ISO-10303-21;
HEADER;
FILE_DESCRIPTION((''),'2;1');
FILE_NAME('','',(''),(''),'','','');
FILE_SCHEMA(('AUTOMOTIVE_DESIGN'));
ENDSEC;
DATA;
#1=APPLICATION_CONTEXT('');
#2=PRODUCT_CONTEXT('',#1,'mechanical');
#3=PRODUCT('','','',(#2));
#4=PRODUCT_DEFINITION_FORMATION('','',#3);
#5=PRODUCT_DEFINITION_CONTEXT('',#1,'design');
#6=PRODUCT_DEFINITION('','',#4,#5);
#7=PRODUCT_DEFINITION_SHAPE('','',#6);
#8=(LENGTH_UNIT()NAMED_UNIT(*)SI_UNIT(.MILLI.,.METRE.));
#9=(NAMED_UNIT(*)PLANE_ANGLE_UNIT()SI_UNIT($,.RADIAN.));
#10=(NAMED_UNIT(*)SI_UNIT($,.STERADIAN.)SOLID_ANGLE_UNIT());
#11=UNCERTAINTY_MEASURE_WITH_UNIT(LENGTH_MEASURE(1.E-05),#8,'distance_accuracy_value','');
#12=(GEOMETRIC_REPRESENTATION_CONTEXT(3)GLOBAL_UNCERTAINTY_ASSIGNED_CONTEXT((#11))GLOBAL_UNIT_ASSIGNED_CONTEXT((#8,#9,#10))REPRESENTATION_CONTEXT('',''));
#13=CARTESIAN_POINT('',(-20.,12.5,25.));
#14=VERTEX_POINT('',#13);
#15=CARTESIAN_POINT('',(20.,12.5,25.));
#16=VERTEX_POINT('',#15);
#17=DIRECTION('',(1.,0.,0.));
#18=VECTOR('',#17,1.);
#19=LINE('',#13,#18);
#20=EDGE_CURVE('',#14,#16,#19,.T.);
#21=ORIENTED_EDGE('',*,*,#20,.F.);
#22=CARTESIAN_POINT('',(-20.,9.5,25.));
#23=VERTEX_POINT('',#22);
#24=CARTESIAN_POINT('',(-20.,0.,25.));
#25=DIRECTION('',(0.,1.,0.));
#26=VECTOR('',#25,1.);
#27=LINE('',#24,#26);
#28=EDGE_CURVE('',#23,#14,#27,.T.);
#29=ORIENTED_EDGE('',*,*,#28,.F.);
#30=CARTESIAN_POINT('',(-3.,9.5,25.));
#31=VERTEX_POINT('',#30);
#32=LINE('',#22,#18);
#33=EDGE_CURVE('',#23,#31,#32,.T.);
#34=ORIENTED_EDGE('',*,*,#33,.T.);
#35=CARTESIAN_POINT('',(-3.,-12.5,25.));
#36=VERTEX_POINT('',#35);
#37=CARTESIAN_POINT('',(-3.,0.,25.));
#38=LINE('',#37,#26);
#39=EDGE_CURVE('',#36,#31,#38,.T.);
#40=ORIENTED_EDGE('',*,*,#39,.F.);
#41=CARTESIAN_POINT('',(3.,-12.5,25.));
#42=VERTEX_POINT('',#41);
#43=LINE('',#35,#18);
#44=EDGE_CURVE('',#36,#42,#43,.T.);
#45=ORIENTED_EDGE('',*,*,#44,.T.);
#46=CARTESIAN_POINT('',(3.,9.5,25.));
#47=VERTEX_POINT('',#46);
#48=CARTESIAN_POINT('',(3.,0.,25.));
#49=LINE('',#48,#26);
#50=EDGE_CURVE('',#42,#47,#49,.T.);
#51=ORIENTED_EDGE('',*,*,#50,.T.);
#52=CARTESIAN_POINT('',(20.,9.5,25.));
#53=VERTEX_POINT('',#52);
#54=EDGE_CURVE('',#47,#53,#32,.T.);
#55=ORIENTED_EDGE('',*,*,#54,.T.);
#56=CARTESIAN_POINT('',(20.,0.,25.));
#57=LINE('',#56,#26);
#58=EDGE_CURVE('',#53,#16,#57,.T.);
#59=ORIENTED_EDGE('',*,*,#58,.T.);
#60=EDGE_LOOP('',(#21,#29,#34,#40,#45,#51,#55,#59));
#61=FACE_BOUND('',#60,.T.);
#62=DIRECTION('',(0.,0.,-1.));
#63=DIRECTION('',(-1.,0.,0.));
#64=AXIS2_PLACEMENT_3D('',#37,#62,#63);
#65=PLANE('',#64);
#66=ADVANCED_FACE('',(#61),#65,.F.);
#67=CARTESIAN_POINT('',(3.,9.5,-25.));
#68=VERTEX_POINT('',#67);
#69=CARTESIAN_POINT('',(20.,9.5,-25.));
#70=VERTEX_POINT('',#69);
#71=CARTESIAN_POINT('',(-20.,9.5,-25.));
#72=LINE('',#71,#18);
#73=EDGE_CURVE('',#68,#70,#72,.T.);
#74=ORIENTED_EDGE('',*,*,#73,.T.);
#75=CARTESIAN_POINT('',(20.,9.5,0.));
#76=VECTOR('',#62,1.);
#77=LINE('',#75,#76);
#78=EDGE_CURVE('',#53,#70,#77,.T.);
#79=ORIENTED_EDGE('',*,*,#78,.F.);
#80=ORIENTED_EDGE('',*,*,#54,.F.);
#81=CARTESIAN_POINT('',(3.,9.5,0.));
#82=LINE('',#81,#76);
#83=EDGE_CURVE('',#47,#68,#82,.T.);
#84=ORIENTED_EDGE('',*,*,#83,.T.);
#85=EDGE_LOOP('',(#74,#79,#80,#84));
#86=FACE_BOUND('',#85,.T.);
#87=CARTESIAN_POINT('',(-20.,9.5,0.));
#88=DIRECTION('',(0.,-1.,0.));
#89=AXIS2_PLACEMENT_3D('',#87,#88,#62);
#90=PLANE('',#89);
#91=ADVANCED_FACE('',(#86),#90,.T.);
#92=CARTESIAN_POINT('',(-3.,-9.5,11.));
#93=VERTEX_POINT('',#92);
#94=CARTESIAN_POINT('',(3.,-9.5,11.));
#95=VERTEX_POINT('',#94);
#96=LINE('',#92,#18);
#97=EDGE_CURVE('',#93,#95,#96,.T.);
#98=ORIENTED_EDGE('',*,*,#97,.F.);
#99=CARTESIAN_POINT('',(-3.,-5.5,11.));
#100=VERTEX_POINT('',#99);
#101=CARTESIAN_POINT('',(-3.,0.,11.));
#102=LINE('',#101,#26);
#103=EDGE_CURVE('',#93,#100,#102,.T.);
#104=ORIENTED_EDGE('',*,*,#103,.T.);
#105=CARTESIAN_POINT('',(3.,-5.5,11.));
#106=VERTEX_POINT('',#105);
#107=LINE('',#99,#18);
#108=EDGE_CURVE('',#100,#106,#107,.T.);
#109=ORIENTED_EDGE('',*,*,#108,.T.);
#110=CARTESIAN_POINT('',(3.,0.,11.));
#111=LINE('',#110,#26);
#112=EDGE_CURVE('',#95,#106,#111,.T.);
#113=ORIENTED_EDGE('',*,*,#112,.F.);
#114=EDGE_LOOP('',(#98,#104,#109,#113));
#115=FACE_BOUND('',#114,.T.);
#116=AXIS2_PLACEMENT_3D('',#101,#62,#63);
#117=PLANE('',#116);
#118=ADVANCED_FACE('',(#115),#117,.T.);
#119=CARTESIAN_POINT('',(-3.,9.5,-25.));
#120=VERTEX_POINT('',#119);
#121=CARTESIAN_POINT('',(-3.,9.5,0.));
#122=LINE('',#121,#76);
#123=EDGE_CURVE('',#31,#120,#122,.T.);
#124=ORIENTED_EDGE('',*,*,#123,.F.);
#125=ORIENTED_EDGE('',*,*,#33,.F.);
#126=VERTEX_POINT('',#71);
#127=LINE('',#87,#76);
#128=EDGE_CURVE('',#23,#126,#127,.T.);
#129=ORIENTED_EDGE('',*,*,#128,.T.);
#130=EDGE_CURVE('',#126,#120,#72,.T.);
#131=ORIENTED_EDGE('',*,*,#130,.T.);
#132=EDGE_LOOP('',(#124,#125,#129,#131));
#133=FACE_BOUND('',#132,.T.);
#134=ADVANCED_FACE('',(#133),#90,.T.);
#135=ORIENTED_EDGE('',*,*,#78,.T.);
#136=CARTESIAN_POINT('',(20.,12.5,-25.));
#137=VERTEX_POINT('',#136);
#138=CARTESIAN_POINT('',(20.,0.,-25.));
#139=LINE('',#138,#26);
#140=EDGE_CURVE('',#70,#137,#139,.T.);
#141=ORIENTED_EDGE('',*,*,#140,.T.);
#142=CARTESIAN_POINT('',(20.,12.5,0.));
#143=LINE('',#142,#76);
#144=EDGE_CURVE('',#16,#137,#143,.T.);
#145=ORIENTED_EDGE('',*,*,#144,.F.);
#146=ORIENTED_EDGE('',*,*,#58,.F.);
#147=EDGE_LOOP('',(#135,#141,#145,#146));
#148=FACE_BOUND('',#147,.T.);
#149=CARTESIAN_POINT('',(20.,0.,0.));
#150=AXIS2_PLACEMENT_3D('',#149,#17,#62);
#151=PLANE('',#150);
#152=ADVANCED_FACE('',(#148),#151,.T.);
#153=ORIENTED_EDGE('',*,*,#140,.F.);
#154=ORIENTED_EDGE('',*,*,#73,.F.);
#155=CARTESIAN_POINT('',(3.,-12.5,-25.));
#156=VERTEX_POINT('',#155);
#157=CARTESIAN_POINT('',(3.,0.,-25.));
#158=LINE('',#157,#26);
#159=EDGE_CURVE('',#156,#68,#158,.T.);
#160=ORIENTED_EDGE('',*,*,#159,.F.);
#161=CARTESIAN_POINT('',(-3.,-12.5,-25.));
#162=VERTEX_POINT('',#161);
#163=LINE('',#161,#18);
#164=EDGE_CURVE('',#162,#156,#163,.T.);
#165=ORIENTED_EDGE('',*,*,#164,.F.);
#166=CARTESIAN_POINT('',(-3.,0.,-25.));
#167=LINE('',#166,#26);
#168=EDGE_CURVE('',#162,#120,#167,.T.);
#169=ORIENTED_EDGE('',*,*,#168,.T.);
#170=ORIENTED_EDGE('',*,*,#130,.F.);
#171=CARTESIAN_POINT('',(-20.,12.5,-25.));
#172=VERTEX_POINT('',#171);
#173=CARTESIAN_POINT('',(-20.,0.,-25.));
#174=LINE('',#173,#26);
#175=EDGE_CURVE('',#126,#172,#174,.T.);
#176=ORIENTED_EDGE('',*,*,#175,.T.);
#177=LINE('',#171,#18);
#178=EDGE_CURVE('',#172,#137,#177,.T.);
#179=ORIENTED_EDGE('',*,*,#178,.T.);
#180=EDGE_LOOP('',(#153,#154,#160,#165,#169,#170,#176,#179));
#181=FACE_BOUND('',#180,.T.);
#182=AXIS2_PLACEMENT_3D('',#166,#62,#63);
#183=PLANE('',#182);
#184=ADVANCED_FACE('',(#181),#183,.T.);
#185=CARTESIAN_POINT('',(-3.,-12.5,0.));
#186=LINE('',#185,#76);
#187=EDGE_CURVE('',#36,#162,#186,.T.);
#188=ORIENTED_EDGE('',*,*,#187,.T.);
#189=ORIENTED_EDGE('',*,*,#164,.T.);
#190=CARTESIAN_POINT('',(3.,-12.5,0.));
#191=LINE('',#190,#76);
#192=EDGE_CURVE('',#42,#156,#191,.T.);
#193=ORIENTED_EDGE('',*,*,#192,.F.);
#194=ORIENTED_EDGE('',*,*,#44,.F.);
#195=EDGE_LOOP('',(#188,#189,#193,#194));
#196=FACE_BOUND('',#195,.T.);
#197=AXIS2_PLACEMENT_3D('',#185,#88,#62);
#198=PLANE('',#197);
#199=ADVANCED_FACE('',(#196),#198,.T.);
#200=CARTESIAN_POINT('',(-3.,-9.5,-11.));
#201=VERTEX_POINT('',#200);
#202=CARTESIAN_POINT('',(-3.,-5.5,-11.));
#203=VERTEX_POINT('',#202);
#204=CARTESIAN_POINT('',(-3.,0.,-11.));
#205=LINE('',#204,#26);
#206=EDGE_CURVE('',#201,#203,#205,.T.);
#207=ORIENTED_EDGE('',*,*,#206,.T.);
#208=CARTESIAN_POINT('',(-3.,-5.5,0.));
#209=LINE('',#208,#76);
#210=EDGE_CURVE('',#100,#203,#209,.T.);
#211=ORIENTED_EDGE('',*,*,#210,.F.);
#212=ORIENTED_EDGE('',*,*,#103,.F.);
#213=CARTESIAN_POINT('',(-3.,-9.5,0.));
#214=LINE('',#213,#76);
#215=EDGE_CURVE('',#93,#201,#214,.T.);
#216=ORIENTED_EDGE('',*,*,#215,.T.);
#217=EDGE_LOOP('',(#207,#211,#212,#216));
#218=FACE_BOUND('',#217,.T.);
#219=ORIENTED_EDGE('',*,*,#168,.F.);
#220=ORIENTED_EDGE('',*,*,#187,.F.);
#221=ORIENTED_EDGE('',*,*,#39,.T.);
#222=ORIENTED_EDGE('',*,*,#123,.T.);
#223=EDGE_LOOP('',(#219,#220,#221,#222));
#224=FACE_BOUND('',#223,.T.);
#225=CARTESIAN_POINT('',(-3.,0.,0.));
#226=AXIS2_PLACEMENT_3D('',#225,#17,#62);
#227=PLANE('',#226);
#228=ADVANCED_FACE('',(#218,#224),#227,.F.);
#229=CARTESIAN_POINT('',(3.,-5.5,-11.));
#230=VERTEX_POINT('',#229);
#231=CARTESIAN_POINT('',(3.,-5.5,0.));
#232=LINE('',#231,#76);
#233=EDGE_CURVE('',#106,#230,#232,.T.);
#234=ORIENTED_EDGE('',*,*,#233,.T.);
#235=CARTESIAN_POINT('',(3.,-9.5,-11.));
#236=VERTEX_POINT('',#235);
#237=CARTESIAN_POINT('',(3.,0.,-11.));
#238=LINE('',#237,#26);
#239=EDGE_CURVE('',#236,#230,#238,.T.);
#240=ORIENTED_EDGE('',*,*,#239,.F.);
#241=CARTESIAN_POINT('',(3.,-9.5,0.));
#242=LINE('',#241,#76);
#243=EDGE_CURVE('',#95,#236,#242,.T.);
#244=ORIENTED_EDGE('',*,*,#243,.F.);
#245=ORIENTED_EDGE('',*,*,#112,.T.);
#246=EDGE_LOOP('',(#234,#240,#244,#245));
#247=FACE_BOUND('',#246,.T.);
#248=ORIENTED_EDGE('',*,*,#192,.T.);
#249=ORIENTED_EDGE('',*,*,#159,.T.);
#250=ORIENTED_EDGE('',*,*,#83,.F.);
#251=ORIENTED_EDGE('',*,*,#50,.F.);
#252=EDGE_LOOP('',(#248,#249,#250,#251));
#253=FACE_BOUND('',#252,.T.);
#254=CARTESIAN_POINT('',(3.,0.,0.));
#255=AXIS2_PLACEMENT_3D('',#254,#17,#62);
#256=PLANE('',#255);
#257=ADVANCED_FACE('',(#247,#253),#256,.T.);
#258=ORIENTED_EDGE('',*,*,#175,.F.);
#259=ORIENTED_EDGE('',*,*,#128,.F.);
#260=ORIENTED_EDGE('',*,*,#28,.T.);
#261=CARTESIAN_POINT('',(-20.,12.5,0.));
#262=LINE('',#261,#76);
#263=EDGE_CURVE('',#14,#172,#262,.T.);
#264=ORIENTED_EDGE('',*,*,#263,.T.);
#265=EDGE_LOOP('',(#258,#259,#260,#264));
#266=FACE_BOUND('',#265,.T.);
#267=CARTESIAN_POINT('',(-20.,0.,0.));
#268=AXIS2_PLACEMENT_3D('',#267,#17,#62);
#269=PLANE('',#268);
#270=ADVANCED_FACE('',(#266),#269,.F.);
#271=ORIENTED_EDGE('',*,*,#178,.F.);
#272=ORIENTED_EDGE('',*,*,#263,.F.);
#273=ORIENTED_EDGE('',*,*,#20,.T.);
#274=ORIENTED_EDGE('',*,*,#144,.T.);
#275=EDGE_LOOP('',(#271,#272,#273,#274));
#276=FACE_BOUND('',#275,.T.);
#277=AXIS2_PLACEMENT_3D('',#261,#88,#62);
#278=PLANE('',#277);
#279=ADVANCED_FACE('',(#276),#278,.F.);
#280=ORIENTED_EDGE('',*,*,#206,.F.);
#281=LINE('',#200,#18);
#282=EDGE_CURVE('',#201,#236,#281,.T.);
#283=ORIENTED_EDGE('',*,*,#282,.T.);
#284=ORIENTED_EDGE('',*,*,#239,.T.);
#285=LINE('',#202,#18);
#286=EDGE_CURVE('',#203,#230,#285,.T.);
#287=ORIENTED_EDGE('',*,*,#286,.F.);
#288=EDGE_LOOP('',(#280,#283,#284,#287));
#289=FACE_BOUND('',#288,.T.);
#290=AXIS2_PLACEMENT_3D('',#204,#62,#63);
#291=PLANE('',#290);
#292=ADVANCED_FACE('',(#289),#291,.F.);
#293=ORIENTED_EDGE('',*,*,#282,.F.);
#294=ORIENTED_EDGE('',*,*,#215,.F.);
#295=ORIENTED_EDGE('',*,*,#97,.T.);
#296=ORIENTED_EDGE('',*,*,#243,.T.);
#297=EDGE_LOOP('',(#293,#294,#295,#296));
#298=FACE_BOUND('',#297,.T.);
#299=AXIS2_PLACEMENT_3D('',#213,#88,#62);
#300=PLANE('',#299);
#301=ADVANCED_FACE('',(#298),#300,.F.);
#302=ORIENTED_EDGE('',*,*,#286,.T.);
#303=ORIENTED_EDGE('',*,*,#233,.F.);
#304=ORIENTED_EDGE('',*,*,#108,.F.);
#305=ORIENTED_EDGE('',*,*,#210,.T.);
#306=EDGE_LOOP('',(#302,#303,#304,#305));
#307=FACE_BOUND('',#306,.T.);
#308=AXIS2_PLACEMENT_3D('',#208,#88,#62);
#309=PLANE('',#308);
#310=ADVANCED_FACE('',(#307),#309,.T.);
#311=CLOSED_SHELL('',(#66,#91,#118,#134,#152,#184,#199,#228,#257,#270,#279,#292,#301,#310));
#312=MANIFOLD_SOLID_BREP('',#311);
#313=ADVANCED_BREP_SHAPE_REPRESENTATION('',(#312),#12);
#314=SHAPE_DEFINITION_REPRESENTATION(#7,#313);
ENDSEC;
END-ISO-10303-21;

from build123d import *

# Parameters (mm, degrees)
BOSS_EXTRUDE2_DEPTH      = 3
BOSS_EXTRUDE2_DEPTH_BACK = 3
SKETCH2_W                = 50
SKETCH2_H                = 22
SKETCH2_W_2              = 22
SKETCH2_H_2              = 4
BOSS_EXTRUDE3_DEPTH      = 20
BOSS_EXTRUDE3_DEPTH_BACK = 20
SKETCH2_3_W              = 50
SKETCH2_3_H              = 3


with BuildPart() as part:
    # Sketch2 → Boss-Extrude2 (new, two sides: drawn at the far end of the back side and taken through both)
    with BuildSketch(Plane(origin=(0, 0, 0), x_dir=(0, 0, -1), z_dir=(1, 0, 0)).offset(-BOSS_EXTRUDE2_DEPTH_BACK)):
        with Locations((0, -1.5)):
            Rectangle(SKETCH2_W, SKETCH2_H)
        with Locations((0, -7.5)):
            Rectangle(SKETCH2_W_2, SKETCH2_H_2, mode=Mode.SUBTRACT)
    extrude(amount=BOSS_EXTRUDE2_DEPTH + BOSS_EXTRUDE2_DEPTH_BACK)

    # Sketch2<3> → Boss-Extrude3 (add, two sides: drawn at the far end of the back side and taken through both)
    with BuildSketch(Plane(origin=(0, 0, 0), x_dir=(0, 0, -1), z_dir=(1, 0, 0)).offset(-BOSS_EXTRUDE3_DEPTH_BACK)):
        with Locations((0, 11)):
            Rectangle(SKETCH2_3_W, SKETCH2_3_H)
    extrude(amount=BOSS_EXTRUDE3_DEPTH + BOSS_EXTRUDE3_DEPTH_BACK)


solid = part.part
